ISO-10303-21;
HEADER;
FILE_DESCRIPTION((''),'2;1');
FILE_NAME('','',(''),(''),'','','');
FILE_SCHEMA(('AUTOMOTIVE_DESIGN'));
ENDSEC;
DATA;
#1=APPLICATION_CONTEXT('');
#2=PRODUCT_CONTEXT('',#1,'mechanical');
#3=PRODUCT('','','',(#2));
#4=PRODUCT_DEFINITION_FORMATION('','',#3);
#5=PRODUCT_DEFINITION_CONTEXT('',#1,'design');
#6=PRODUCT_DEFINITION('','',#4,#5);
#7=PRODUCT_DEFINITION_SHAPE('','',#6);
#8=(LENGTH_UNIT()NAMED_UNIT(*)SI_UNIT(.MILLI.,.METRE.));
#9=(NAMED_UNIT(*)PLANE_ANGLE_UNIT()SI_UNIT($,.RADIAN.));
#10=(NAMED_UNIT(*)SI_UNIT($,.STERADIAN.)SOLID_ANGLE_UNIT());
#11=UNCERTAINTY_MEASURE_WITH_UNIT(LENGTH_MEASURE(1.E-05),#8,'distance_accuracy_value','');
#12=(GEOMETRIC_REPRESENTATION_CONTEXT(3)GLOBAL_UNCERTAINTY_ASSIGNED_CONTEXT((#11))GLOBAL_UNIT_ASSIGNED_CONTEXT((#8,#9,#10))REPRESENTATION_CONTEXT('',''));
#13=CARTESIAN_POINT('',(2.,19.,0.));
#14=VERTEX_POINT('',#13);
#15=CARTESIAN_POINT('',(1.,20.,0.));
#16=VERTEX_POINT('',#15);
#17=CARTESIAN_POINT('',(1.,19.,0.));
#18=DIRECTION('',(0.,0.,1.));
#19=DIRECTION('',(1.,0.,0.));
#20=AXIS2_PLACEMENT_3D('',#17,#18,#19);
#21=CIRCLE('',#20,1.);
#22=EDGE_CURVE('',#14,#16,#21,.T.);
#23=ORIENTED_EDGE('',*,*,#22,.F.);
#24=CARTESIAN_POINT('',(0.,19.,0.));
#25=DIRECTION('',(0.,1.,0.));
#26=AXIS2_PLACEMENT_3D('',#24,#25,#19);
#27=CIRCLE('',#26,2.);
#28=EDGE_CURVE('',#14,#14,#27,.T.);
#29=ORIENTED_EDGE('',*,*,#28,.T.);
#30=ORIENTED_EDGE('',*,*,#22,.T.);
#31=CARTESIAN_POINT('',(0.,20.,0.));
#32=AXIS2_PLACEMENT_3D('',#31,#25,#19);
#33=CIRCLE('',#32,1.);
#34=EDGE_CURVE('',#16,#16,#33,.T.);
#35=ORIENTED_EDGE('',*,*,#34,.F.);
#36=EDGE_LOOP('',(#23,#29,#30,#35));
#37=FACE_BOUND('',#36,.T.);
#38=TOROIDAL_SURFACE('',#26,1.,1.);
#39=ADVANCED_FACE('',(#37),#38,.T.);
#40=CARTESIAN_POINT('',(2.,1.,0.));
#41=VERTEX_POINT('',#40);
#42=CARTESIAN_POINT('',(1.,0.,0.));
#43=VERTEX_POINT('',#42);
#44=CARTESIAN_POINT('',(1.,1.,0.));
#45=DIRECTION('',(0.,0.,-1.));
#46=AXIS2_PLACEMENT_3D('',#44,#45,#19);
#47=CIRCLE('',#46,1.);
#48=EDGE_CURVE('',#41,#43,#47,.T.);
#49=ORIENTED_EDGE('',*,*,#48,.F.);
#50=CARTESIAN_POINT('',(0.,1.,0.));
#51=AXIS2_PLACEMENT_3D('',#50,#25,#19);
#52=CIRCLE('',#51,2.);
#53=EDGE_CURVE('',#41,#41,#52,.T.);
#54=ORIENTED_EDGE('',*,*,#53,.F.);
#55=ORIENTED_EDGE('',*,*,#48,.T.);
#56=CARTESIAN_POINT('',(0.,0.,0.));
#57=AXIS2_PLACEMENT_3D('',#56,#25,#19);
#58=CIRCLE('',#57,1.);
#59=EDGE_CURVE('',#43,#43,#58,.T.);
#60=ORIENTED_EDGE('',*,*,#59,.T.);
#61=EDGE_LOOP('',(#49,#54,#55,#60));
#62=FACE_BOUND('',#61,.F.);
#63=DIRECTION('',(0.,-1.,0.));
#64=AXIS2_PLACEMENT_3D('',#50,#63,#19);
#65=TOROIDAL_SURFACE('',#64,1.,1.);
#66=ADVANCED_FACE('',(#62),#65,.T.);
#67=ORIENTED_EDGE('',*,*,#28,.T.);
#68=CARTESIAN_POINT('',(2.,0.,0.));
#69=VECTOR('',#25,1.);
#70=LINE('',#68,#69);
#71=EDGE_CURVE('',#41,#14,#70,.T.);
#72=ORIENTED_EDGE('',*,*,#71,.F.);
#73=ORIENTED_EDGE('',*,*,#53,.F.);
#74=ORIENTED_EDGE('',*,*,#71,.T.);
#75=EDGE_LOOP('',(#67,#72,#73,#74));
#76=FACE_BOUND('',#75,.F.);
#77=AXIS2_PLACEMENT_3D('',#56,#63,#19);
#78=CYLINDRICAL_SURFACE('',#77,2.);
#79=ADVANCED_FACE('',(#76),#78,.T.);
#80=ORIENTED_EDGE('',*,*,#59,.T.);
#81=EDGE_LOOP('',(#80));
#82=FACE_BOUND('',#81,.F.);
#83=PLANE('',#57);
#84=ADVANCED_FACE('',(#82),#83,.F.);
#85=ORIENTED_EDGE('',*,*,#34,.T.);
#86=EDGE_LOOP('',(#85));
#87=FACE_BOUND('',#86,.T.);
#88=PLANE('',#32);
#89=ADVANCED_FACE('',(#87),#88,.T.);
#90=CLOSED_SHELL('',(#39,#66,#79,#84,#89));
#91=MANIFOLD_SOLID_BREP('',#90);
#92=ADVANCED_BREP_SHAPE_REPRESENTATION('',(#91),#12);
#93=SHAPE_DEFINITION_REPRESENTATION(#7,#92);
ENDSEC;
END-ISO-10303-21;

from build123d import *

# Parameters (mm, degrees)
CROQUIS1_R              = 2
SALIENTE_EXTRUIR1_DEPTH = 20
REDONDEO1_R             = 1


with BuildPart() as part:
    # Croquis1 → Saliente-Extruir1 (new body)
    with BuildSketch(Plane(origin=(0, 0, 0), x_dir=(1, 0, 0), z_dir=(0, 1, 0))):
        Circle(CROQUIS1_R)
    extrude(amount=SALIENTE_EXTRUIR1_DEPTH)

    # Redondeo1
    redondeo1_edges = [part.edges().sort_by_distance(p)[0] for p in [
        (-2, 0, 0),
        (-2, 20, 0),
    ]]
    fillet(redondeo1_edges, radius=REDONDEO1_R)


solid = part.part
